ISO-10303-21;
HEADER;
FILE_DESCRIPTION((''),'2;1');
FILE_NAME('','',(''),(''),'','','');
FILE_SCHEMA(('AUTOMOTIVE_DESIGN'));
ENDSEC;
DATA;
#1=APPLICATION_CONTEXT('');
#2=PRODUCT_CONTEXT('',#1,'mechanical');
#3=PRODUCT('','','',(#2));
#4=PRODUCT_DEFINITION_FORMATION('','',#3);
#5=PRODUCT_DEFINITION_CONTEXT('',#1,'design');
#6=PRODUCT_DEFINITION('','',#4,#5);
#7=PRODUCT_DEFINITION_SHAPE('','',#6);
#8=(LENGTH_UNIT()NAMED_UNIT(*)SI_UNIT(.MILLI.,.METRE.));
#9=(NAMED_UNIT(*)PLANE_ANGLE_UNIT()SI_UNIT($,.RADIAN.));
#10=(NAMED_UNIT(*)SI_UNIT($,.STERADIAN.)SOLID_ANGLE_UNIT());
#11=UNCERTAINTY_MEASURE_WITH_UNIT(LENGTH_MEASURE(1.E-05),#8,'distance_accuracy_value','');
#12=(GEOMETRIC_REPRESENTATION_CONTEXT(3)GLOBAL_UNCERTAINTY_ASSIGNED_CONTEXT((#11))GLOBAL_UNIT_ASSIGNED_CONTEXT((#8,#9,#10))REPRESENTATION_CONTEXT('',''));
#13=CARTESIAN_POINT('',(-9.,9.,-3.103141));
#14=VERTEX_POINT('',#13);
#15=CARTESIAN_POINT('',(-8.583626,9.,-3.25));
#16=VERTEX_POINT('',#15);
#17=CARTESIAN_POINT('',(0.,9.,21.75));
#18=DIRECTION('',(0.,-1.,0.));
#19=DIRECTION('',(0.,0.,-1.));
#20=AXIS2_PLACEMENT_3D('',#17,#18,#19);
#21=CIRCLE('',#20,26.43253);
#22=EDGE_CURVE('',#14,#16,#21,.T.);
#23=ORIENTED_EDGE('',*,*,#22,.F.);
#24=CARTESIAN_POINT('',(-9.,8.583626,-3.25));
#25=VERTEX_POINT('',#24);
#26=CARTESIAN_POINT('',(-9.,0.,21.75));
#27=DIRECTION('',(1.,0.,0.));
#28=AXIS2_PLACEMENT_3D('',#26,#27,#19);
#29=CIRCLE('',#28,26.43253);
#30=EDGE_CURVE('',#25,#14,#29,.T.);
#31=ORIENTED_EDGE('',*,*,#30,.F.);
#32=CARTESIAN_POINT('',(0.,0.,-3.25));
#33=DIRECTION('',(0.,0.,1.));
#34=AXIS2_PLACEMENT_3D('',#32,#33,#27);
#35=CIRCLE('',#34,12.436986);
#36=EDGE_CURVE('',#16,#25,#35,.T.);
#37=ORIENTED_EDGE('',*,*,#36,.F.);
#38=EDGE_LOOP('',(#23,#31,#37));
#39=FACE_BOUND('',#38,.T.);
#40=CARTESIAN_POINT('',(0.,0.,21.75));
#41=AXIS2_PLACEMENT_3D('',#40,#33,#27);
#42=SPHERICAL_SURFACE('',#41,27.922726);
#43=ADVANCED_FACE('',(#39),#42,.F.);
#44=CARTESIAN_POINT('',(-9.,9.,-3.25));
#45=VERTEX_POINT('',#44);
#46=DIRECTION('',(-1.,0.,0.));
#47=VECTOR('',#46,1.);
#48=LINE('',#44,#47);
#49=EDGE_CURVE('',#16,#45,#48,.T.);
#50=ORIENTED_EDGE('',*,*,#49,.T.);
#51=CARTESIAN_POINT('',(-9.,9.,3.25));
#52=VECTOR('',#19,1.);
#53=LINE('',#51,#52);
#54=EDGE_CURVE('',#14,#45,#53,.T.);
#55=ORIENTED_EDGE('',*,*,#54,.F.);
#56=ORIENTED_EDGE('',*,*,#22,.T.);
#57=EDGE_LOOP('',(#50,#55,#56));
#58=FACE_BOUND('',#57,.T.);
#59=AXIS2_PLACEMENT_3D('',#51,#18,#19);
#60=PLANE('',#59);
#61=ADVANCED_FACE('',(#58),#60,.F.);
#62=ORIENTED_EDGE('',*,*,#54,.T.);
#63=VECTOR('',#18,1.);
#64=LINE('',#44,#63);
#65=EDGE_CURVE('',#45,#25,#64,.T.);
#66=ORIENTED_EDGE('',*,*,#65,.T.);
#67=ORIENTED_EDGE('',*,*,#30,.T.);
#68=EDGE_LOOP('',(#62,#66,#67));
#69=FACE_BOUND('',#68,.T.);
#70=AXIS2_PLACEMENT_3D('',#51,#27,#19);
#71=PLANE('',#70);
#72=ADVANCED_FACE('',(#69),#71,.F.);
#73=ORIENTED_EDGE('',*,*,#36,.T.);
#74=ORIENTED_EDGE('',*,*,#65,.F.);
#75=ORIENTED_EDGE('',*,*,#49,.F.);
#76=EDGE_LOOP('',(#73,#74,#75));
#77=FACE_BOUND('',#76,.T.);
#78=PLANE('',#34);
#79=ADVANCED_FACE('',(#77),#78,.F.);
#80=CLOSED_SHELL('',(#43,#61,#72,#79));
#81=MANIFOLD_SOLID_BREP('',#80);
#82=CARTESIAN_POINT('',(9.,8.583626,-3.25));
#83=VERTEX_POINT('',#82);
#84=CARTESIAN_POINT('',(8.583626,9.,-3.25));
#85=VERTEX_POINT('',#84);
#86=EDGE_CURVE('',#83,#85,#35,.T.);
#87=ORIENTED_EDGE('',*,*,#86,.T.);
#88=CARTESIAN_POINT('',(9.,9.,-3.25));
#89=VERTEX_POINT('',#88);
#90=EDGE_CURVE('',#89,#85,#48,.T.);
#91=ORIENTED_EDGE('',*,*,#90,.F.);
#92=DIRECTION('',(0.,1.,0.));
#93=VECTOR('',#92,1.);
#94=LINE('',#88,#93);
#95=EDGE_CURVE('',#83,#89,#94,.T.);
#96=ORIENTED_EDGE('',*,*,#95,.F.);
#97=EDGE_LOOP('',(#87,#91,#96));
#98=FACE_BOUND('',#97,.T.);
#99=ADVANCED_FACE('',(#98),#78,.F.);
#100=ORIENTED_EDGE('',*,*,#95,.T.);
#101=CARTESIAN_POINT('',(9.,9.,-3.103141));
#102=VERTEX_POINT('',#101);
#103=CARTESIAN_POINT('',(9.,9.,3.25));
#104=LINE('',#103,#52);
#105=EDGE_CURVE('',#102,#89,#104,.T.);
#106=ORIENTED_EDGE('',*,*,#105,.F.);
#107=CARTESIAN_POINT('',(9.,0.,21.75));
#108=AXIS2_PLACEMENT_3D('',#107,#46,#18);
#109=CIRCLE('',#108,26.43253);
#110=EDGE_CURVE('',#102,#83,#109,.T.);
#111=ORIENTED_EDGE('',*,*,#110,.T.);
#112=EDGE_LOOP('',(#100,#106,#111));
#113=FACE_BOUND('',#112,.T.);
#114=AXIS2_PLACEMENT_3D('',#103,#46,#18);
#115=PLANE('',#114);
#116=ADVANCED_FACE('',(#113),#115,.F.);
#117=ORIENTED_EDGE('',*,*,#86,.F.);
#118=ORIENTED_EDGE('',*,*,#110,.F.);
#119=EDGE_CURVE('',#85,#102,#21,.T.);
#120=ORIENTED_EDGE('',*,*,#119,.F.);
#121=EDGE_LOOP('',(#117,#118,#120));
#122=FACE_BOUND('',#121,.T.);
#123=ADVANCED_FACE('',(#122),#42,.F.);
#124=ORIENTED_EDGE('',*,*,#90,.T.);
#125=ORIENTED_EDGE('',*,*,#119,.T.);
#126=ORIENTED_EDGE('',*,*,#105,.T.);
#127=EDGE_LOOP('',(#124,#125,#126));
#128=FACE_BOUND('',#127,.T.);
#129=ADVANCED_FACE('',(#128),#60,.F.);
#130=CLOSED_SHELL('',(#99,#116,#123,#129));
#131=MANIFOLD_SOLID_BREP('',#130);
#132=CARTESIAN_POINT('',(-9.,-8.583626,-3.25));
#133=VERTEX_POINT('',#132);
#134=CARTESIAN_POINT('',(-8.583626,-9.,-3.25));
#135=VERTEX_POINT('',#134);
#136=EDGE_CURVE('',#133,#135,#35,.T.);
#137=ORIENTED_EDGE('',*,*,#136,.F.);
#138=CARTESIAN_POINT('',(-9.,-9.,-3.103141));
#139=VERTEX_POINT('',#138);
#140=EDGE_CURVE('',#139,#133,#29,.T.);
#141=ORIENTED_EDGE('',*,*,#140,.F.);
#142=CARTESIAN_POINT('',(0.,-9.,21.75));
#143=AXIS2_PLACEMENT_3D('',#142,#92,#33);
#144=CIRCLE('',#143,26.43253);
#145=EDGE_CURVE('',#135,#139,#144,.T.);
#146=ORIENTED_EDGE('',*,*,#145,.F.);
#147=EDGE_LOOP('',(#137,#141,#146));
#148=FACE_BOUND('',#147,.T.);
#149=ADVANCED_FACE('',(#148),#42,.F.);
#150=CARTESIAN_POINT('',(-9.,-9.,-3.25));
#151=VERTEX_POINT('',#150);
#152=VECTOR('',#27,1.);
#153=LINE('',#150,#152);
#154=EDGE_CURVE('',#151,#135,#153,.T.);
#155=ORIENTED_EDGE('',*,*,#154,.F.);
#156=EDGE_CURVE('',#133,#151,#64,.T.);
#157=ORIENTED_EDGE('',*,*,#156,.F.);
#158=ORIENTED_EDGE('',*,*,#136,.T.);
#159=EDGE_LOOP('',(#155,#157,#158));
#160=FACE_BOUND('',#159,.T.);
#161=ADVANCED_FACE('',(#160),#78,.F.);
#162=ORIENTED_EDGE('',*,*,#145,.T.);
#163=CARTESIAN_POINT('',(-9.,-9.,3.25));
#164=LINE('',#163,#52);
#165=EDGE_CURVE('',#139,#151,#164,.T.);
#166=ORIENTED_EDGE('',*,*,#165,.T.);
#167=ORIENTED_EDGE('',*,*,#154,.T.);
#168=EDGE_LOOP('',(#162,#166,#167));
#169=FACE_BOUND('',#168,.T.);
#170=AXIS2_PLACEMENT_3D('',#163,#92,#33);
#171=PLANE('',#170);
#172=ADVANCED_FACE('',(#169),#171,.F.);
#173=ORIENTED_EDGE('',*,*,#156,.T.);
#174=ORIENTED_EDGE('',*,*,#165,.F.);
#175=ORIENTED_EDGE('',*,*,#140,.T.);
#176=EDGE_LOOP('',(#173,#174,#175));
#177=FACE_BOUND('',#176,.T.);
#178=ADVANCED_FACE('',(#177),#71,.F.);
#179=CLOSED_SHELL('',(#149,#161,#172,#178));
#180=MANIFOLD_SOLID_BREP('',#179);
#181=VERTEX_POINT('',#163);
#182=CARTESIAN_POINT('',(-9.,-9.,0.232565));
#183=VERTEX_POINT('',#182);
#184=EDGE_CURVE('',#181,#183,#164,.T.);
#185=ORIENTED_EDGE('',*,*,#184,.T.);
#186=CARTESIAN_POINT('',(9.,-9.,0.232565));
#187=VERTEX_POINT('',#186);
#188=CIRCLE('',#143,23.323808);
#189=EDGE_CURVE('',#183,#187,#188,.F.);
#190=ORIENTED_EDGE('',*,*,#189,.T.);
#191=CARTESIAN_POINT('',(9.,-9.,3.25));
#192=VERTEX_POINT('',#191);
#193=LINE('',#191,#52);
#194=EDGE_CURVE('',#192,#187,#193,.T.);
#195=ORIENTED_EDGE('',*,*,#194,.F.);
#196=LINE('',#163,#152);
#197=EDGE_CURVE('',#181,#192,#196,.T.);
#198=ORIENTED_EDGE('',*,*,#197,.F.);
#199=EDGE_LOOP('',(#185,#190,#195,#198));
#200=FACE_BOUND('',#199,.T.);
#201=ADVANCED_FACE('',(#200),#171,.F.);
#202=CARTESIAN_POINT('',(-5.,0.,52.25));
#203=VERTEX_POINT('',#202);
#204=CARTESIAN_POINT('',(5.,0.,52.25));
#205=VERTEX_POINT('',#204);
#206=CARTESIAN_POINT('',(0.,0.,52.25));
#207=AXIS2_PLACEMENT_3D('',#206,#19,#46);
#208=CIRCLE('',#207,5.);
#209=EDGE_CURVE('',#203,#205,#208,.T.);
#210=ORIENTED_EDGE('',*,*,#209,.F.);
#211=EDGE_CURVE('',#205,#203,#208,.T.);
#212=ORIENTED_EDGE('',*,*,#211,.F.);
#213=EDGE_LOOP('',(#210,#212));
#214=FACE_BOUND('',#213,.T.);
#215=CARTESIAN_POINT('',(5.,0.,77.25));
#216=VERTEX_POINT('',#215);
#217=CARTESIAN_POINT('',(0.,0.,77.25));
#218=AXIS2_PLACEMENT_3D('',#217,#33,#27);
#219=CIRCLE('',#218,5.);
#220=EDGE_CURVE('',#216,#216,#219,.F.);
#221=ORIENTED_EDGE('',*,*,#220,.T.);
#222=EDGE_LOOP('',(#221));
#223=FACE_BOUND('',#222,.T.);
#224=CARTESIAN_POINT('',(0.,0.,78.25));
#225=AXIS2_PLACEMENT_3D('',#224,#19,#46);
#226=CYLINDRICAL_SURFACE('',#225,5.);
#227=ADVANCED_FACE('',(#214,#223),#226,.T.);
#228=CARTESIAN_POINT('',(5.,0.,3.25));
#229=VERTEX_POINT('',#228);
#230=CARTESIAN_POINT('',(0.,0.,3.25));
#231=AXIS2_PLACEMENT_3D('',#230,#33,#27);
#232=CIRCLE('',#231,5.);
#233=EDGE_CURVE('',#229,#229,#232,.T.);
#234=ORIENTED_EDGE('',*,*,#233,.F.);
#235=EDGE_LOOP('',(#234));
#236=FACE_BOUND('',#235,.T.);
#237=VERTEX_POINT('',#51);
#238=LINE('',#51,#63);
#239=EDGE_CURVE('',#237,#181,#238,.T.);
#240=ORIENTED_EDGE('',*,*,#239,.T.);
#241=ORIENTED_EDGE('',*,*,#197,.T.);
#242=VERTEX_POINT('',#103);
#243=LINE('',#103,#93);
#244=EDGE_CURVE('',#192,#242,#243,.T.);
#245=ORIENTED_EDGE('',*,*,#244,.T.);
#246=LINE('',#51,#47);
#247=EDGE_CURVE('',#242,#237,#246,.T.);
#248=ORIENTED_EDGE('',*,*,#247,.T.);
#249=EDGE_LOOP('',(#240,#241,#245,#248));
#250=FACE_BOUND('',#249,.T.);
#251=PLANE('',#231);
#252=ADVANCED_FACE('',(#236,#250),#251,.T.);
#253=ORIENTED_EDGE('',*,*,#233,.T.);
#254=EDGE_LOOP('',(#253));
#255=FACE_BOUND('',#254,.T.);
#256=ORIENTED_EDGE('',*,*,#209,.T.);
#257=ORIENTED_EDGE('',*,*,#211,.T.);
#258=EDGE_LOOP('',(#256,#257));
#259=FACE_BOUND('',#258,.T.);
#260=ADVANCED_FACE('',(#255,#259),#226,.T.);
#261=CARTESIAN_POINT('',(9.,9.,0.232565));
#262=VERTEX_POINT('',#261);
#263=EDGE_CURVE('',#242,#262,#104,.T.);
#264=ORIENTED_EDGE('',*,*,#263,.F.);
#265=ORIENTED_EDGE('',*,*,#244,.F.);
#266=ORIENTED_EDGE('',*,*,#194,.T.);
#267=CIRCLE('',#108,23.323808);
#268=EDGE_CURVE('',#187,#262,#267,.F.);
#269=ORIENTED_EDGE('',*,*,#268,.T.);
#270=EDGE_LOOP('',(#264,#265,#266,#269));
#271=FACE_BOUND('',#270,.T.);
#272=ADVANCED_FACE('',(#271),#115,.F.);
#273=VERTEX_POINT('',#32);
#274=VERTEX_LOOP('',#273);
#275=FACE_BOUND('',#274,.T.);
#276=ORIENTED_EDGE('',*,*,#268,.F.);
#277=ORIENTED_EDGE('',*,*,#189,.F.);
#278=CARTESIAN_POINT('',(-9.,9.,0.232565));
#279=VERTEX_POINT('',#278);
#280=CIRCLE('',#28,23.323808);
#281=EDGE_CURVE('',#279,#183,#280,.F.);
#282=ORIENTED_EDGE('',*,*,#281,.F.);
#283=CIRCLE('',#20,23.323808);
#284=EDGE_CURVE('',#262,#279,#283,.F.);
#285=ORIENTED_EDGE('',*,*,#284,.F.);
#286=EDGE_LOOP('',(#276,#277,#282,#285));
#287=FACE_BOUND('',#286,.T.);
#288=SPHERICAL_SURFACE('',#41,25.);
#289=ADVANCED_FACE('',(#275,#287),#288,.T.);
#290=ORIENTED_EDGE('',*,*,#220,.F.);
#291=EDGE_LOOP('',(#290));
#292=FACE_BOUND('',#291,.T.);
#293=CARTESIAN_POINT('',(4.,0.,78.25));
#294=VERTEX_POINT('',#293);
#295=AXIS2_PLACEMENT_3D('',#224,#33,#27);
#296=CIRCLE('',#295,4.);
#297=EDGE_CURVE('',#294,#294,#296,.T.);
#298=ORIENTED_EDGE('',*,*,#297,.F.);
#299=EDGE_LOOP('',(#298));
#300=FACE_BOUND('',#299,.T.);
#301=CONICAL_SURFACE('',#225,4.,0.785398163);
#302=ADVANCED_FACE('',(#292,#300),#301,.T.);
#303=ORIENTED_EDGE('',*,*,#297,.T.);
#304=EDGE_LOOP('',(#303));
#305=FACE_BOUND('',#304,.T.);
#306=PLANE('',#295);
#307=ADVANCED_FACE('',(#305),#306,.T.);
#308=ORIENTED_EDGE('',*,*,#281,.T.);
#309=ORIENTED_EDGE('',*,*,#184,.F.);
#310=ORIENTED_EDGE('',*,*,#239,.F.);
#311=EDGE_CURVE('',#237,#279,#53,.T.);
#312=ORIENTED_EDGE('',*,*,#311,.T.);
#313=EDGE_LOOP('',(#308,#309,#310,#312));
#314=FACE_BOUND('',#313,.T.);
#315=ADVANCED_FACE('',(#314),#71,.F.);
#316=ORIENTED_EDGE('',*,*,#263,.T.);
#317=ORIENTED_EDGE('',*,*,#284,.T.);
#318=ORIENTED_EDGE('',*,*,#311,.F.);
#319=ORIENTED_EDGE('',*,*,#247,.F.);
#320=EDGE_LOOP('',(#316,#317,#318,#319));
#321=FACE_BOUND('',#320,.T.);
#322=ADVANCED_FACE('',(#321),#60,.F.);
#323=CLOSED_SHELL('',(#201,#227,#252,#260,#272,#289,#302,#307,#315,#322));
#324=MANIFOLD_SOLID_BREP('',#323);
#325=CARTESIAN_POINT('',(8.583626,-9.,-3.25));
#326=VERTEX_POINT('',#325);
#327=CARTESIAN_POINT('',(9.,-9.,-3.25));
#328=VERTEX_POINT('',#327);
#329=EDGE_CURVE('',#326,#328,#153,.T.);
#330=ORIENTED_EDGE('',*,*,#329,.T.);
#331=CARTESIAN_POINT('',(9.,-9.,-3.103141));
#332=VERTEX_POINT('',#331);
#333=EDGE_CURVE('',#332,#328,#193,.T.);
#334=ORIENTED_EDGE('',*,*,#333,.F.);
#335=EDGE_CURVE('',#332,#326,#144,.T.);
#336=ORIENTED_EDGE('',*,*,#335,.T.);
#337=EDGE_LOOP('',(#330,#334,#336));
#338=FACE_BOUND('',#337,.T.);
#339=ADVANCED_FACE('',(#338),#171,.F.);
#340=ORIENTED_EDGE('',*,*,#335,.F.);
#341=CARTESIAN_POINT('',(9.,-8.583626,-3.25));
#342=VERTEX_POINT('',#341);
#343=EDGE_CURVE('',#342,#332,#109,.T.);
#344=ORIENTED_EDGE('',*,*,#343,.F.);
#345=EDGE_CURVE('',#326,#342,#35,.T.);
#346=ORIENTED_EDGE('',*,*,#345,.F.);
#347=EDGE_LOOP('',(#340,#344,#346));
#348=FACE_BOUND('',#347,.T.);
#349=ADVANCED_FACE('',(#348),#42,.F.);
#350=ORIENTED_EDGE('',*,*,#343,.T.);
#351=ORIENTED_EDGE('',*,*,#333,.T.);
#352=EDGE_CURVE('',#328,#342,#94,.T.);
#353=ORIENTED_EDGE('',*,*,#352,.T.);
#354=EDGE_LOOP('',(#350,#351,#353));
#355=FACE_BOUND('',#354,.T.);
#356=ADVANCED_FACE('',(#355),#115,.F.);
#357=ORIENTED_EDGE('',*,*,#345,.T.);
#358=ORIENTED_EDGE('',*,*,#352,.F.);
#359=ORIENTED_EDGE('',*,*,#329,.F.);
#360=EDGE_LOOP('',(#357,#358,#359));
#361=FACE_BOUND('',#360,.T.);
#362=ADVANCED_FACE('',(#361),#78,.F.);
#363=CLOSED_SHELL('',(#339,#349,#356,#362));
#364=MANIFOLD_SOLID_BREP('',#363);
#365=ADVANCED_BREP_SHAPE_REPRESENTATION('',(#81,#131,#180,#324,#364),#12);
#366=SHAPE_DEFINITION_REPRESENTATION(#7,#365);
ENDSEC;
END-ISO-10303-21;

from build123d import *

# Parameters (mm, degrees)
SKETCH1_W           = 18
SKETCH1_H           = 18
BOSS_EXTRUDE1_DEPTH = 3.25
SKETCH2_R           = 5
BOSS_EXTRUDE3_DEPTH = 75
CHAMFER1_SIZE       = 1


with BuildPart() as part:
    # Sketch1 → Boss-Extrude1 (new, symmetric)
    with BuildSketch(Plane.XY):
        Rectangle(SKETCH1_W, SKETCH1_H)
    extrude(amount=BOSS_EXTRUDE1_DEPTH, both=True)

    # Sketch2 → Boss-Extrude3 (add)
    with BuildSketch(Plane.XY.offset(3.25)):
        Circle(SKETCH2_R)
    extrude(amount=BOSS_EXTRUDE3_DEPTH)

    # Sketch3 → Cut-Revolve1 (revolve, cut)
    with BuildSketch(Plane(origin=(0, 0, 0), x_dir=(1, 0, 0), z_dir=(0, 1, 0))):
        with BuildLine():
            Line((0, 3.25), (0, 6.172726033))
            ThreePointArc((0, 6.172726033), (19.744348927, -2.005651073), (27.922726033, -21.75))
            Line((27.922726033, -21.75), (25, -21.75))
            ThreePointArc((25, -21.75), (17.67766953, -4.07233047), (0, 3.25))
        make_face()
    revolve(axis=Axis((0, 0, 21.75), (0, 0, -1)), mode=Mode.SUBTRACT)


with BuildPart() as cut_revolve1_piece_1:
    # of the separate pieces the step leaves, piece 1, a body of its own (cut_revolve1_pieces)
    add(part.part.solids().sort_by_distance((-9, 9, 0.232565209))[0])

    # Chamfer1
    chamfer1_edges = [cut_revolve1_piece_1.edges().sort_by_distance(p)[0] for p in [
        (-5, 0, 78.25),
    ]]
    chamfer(chamfer1_edges, length=CHAMFER1_SIZE)


with BuildPart() as cut_revolve1_piece_2:
    # of the separate pieces the step leaves, piece 2, a body of its own (cut_revolve1_pieces)
    add(part.part.solids().sort_by_distance((-9, -9, -3.25))[0])


with BuildPart() as cut_revolve1_piece_3:
    # of the separate pieces the step leaves, piece 3, a body of its own (cut_revolve1_pieces)
    add(part.part.solids().sort_by_distance((-9, 9, -3.25))[0])


with BuildPart() as cut_revolve1_piece_4:
    # of the separate pieces the step leaves, piece 4, a body of its own (cut_revolve1_pieces)
    add(part.part.solids().sort_by_distance((8.58362564, 9, -3.25))[0])


with BuildPart() as cut_revolve1_piece_5:
    # of the separate pieces the step leaves, piece 5, a body of its own (cut_revolve1_pieces)
    add(part.part.solids().sort_by_distance((9, -8.58362564, -3.25))[0])


solid = Compound([cut_revolve1_piece_1.part, cut_revolve1_piece_2.part, cut_revolve1_piece_3.part, cut_revolve1_piece_4.part, cut_revolve1_piece_5.part])
